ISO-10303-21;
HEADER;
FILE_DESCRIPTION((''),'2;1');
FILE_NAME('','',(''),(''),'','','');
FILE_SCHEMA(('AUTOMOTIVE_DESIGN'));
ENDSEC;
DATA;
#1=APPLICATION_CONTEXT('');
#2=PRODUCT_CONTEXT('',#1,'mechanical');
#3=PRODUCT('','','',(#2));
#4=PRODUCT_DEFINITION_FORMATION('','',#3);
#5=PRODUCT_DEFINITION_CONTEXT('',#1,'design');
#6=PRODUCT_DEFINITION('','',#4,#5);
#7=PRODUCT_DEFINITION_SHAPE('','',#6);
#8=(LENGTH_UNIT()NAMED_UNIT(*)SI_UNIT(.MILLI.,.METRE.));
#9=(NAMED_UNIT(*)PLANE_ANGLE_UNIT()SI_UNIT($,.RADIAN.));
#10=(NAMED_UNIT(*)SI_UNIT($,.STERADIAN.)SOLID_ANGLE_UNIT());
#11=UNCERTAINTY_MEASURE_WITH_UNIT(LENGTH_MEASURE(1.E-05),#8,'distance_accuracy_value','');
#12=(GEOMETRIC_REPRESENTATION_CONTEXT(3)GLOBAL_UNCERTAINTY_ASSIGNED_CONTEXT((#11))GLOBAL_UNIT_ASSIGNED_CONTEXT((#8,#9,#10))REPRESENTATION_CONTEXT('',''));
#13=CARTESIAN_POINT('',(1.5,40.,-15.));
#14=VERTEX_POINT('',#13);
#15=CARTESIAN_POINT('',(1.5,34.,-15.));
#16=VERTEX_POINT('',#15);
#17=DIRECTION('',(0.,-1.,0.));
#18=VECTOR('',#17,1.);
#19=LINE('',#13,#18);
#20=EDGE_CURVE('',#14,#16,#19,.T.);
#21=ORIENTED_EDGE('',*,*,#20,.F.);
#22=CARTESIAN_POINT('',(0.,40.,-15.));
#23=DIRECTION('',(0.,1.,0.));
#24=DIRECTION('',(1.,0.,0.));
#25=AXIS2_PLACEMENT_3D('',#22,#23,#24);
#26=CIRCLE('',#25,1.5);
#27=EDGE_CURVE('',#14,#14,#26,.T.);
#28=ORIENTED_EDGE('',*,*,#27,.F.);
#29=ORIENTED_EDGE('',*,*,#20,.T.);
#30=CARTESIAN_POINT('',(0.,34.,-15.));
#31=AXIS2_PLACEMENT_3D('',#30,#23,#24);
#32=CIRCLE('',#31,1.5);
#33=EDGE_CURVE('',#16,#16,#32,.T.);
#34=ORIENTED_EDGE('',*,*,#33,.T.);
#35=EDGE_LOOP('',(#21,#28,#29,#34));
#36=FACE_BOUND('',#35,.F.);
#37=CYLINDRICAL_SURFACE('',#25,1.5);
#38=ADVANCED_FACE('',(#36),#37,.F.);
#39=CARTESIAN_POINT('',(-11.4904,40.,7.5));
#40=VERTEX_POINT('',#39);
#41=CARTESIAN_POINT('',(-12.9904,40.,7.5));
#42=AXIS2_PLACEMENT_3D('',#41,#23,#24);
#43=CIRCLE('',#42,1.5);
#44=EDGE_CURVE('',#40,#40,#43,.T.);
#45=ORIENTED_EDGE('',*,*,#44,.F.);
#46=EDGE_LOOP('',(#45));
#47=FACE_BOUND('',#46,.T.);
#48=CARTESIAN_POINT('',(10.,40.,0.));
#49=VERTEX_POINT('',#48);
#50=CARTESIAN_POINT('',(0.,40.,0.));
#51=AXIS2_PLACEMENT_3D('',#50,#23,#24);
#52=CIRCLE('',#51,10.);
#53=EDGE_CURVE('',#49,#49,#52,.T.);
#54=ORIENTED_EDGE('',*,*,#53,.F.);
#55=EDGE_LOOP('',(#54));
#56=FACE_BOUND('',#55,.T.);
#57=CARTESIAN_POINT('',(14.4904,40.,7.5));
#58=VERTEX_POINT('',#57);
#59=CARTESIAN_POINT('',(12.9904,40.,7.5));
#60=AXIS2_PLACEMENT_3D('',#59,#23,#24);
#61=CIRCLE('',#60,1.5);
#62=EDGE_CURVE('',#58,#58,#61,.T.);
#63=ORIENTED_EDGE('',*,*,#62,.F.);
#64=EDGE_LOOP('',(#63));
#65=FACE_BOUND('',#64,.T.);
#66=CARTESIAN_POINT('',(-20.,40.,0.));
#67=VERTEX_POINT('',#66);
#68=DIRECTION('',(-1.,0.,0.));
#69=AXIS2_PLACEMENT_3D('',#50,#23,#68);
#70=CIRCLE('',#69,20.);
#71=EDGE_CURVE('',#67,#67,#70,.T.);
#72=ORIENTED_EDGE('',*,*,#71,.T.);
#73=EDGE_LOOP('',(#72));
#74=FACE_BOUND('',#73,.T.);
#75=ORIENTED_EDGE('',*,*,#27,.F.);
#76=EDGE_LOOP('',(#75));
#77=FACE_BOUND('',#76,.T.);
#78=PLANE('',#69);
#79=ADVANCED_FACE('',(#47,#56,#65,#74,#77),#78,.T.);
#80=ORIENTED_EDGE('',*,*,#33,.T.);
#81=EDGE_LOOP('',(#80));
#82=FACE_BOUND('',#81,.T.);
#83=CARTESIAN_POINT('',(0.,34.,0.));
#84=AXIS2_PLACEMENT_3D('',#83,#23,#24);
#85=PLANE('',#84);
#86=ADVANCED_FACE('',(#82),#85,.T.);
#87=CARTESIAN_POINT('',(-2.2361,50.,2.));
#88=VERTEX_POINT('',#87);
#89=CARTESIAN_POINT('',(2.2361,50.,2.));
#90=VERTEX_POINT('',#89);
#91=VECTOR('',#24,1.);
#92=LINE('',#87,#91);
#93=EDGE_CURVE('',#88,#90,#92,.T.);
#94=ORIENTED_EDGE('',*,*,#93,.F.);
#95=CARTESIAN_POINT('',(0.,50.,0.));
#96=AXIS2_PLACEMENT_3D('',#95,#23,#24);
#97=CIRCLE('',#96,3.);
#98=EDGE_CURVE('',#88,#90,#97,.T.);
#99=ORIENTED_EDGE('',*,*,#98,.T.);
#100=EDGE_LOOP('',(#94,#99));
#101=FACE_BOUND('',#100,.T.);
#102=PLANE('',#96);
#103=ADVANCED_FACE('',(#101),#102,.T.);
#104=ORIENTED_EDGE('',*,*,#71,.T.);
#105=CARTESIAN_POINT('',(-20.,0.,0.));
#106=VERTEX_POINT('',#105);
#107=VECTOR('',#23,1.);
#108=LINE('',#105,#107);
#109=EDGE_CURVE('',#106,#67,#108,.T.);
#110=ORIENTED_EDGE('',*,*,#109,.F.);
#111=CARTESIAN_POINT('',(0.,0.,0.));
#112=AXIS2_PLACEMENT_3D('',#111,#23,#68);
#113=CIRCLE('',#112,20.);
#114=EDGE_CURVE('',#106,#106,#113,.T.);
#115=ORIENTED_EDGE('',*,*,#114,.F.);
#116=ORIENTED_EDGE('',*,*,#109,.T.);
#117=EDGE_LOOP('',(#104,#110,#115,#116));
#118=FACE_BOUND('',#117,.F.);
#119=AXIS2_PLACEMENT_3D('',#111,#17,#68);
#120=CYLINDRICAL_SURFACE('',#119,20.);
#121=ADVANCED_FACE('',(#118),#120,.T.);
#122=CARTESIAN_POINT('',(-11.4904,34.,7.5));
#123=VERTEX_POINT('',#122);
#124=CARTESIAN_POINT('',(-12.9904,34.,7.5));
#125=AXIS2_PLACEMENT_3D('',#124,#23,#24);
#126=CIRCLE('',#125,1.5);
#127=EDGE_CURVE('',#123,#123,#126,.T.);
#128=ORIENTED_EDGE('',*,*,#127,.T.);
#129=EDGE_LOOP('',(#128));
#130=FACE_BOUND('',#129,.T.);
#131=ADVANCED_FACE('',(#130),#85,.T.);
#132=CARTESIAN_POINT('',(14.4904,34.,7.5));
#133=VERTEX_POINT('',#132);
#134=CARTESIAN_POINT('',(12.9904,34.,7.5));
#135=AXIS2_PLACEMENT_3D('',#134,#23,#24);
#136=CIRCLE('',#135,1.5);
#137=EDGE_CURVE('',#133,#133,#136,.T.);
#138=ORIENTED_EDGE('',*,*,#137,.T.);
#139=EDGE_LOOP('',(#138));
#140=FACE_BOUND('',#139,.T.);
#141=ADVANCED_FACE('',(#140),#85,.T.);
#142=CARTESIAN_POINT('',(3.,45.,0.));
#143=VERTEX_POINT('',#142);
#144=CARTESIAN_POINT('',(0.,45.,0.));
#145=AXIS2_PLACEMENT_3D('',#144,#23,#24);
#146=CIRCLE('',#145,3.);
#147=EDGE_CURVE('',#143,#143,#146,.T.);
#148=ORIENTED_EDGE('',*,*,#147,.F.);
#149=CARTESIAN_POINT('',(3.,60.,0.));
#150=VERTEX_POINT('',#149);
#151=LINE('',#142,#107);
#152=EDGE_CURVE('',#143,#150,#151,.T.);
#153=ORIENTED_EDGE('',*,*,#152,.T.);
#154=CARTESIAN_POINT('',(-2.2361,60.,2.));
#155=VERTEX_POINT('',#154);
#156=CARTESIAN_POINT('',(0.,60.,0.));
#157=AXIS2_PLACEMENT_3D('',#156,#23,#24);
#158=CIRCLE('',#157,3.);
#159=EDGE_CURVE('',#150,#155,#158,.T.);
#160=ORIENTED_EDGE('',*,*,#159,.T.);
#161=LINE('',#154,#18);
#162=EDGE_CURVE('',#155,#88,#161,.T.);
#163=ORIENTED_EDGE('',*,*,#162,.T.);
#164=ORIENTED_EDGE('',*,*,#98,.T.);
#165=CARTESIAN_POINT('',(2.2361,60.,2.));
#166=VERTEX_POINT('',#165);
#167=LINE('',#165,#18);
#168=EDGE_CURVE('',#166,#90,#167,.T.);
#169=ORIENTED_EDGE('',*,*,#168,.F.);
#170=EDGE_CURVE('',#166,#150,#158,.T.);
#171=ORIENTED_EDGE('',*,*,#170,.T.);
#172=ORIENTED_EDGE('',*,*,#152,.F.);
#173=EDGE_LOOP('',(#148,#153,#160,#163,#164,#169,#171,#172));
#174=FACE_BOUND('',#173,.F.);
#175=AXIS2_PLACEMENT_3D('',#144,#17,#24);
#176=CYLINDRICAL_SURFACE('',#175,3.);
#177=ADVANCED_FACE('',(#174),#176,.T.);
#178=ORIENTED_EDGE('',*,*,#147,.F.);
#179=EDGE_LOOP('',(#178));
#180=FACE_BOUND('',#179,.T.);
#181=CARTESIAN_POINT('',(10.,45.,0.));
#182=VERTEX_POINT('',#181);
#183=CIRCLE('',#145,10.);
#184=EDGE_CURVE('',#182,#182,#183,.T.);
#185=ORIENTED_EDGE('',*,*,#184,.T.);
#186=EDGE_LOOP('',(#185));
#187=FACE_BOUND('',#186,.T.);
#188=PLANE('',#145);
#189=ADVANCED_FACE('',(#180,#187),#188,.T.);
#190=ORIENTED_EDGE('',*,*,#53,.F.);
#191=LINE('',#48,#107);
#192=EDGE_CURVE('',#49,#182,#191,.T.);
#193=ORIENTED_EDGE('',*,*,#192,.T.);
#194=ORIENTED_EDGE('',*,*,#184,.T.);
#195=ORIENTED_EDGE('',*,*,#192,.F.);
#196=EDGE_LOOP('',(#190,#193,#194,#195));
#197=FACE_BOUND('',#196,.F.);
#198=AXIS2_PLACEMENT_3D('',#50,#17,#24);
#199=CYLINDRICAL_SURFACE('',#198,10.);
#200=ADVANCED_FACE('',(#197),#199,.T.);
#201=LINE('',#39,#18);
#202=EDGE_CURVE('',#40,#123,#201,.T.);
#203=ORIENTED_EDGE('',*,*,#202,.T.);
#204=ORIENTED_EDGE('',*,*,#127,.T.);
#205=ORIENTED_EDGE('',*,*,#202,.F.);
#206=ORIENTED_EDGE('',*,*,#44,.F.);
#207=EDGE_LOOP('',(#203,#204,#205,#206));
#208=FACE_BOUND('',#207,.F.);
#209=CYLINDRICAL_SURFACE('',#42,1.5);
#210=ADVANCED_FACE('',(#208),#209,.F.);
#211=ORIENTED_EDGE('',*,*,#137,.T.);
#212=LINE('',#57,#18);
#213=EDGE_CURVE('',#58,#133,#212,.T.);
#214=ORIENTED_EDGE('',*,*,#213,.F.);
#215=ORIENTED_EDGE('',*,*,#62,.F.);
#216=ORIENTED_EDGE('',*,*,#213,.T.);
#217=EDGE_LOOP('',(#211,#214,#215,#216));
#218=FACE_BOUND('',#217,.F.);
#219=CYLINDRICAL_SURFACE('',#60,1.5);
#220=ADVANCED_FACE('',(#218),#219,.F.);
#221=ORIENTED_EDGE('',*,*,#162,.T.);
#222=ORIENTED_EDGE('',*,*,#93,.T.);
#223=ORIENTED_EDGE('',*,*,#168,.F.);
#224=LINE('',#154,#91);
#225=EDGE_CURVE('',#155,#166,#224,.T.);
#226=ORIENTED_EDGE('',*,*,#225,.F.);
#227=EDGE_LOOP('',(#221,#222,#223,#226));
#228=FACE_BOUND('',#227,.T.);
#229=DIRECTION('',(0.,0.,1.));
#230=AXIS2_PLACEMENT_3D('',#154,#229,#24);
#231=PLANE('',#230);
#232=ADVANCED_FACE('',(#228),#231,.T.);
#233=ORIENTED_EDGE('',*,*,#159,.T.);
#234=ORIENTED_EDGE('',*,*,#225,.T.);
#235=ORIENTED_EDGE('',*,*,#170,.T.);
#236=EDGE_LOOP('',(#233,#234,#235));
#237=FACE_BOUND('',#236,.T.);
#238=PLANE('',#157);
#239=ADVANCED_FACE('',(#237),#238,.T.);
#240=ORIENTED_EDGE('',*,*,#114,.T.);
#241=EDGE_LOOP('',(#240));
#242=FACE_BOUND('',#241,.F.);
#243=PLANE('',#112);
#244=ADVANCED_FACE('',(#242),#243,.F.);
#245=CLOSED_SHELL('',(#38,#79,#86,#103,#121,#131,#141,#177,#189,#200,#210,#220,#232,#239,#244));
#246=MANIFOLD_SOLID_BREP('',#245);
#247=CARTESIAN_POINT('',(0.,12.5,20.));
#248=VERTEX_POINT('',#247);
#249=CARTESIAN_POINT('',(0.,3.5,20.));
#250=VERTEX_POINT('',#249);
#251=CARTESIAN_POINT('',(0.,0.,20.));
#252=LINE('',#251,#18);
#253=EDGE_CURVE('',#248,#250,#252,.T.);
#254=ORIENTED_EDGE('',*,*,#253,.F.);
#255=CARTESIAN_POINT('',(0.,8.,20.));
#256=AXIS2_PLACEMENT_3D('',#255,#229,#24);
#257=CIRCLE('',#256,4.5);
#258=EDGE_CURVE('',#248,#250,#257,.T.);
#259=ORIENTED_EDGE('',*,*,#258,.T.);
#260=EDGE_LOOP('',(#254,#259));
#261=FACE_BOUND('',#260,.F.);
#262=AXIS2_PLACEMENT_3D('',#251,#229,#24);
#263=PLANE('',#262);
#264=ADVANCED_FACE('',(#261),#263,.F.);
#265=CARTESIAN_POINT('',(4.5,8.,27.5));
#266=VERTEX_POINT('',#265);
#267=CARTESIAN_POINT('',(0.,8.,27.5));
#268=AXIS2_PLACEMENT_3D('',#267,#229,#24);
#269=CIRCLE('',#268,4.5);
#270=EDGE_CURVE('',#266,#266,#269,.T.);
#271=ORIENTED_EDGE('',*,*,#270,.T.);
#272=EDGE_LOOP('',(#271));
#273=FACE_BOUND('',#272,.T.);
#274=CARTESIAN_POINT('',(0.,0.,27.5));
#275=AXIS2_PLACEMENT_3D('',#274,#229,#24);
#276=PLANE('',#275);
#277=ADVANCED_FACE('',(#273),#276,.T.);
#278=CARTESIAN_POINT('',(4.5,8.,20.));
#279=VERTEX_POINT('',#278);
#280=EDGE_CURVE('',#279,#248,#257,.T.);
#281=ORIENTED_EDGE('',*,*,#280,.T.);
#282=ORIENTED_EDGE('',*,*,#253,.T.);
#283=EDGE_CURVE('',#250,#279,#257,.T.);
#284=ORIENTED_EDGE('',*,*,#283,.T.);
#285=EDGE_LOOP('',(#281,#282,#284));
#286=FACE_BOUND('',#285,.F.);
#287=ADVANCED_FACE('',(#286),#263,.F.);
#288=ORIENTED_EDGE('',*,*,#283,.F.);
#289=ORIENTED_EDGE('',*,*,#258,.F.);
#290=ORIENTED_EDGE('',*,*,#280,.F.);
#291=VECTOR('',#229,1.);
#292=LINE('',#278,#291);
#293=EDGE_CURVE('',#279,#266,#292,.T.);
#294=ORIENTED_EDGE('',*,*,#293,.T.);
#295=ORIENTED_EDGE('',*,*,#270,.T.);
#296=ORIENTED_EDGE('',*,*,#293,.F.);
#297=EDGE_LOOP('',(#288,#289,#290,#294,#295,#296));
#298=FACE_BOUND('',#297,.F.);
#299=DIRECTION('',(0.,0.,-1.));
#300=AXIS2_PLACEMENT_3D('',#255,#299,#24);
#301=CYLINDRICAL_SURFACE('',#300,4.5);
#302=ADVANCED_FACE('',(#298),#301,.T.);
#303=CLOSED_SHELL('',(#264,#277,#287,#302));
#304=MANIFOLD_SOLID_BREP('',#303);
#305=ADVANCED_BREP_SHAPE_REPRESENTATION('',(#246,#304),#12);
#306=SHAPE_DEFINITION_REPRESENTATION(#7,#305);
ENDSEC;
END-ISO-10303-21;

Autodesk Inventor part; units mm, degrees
ref_plane "YZ Plane" through (0, 0, 0) normal (1, 0, 0) x (0, 1, 0)
ref_plane "XZ Plane" through (0, 0, 0) normal (0, 1, 0) x (-1, 0, 0)
sketch "BodySketch" plane through (0, 0, 0) normal (0, 1, 0) x (-1, 0, 0)
  circle A0 centre (0, 0) radius 20
  dimension "Encoder_Body_Diameter" = 40
extrude "Body" add sketch "BodySketch" along normal blind 40
sketch "BearingSketch" plane through (0, 40, 0) normal (0, 1, 0) x (1, 0, 0)
  circle A0 centre (0, 0) radius 20 projected
  circle A1 centre (0, 0) radius 10
  dimension "Encoder_Bearing_Diameter" = 20
extrude "Bearing" add sketch "BearingSketch" along normal blind 5 contours A1
sketch "ShaftSketch" plane through (0, 45, 0) normal (0, 1, 0) x (1, 0, 0)
  circle A0 centre (0, 0) radius 10 projected
  circle A1 centre (0, 0) radius 3
  dimension "d12" = 6
extrude "Shaft" add sketch "ShaftSketch" along normal blind 15 contours A1
sketch "MeplatSketch" plane through (0, 60, 0) normal (0, 1, 0) x (1, 0, 0)
  circle A0 centre (0, 0) radius 3 projected
  line L0 (-2.2361, -2) -> (2.2361, -2)
  dimension "d16" = 1
extrude "Meplat" cut sketch "MeplatSketch" against normal blind 10 contours L0 A0 picked at (-0.5653, -2.1582)
sketch "FasteningHoleSketch" plane through (0, 40, 0) normal (0, 1, 0) x (1, 0, 0)
  circle A0 centre (0, 0) radius 10 projected
  circle A1 centre (0, 0) radius 20 projected
  circle A2 centre (0, 15) radius 1.5
  line L0 (0, 0) -> (0, 35.8513) construction
  circle A3 centre (-12.9904, -7.5) radius 1.5
  circle A4 centre (12.9904, -7.5) radius 1.5
  dimension "Encoder_FasteningHole_Diameter" = 3
  dimension "Encoder_FasteningHole_DistanceToCenter" = 15
  dimension "d23" = 360
extrude "FasteningHole" cut sketch "FasteningHoleSketch" against normal blind 6 contours A2 | A3 | A4
ref_plane "Work Plane1" through (0, 0, 20) normal (0, 0, 1) x (1, 0, 0)
sketch "CableBaseSketch" plane through (0, 0, 20) normal (0, 0, 1) x (1, 0, 0)
  circle A0 centre (0, 8) radius 4.5
  line L0 (0, 0) -> (0, 79.6657) construction
  dimension "Encoder_CableBase_Diameter" = 9
  dimension "Encoder_CableBase_DistanceToBase" = 8
extrude "CableBase" add sketch "CableBaseSketch" along normal blind 7.5
thread "Thread1" size "M3x0.5" class "6H" standard "ANSI Metric M Profile" full length
thread "Thread2" size "M3x0.5" class "6H" standard "ANSI Metric M Profile" full length
thread "Thread3" size "M3x0.5" class "6H" standard "ANSI Metric M Profile" full length
equation "\"d12\" = Encoder_Shaft_Diameter"
equation "\"d13\" = Encoder_Shaft_Length"
equation "\"d16\" = Encoder_Shaft_Meplat_Depth"
equation "\"d17\" = Encoder_Shaft_Meplat_Lenght"
equation "\"Encoder_Shaft_Diameter\" = 6"
equation "\"Encoder_Shaft_Length\" = 15"
equation "\"Encoder_Shaft_Meplat_Depth\" = 1"
equation "\"Encoder_Shaft_Meplat_Lenght\" = 10"
equation "\"Encoder_CableBase_DistanceToTop\" = Encoder_Body_Length - Encoder_CableBase_DistanceToBase"
equation "\"Encoder_Body_Length\" = 40"
properties part number "Encoder" material "GFRC"
